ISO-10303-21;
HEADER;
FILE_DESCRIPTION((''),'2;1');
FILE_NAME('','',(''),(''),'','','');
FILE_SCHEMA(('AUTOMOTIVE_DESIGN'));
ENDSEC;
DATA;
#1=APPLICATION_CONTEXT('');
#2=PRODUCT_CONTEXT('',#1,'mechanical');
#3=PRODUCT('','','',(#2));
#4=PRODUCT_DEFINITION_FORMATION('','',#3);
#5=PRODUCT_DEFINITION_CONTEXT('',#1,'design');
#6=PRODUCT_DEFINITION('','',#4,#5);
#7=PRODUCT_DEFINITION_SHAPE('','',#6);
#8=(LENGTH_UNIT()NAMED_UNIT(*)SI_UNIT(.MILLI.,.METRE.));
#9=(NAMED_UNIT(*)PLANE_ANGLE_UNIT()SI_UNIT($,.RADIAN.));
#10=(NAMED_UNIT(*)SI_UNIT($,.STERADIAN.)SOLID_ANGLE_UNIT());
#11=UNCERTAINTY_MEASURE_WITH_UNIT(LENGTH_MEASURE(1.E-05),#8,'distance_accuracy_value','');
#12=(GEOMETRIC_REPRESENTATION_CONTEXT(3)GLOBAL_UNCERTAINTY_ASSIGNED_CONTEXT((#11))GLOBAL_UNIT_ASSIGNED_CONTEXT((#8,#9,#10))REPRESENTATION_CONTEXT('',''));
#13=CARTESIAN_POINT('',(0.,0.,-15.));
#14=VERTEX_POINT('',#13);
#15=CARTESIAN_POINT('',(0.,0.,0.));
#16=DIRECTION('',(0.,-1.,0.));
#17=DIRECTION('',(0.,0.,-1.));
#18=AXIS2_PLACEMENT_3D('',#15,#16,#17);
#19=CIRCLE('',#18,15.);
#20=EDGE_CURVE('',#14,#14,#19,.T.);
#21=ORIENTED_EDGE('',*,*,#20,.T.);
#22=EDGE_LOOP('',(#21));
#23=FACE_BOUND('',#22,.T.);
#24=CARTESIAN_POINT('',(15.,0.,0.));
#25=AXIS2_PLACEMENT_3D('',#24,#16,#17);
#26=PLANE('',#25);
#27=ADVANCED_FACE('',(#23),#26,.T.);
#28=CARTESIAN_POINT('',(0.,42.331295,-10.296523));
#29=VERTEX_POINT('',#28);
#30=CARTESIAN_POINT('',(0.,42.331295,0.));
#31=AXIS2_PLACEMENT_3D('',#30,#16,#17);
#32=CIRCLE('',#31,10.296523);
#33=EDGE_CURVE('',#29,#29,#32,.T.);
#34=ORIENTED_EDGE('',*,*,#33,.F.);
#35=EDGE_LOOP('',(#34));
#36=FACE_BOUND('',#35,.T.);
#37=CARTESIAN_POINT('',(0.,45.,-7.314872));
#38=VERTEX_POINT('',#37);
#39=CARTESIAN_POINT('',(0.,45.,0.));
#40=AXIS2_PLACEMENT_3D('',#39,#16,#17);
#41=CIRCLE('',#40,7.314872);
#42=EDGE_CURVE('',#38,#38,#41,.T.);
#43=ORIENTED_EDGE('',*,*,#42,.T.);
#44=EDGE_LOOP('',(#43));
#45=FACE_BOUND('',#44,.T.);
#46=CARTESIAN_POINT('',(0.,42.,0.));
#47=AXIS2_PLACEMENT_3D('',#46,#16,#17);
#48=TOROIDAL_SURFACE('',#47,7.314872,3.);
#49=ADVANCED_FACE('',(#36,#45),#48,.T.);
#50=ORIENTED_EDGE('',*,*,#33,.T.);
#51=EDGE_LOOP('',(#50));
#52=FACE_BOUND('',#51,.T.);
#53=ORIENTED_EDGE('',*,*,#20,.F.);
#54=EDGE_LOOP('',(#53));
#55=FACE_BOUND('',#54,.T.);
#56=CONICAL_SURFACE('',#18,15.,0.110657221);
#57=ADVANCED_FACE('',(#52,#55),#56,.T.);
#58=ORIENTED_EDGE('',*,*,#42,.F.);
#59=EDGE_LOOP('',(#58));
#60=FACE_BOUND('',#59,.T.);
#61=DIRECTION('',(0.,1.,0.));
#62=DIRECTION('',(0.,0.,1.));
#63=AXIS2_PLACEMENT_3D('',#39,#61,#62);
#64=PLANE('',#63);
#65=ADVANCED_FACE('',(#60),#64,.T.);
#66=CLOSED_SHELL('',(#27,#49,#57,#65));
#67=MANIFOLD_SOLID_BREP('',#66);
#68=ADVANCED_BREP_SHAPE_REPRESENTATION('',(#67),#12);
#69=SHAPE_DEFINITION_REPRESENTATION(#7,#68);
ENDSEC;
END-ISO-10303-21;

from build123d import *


with BuildPart() as part:
    # Эскиз1 → Повернуть1 (revolve)
    with BuildSketch(Plane.XY):
        with BuildLine():
            Line((0, 0), (0, 45))
            Line((0, 45), (7.314871621, 45))
            ThreePointArc((7.314871621, 45), (9.315636008, 44.235384054), (10.296522825, 42.331294578))
            Line((10.296522825, 42.331294578), (15, 0))
            Line((15, 0), (0, 0))
        make_face()
    revolve(axis=Axis((0, 0, 0), (0, 1, 0)))


solid = part.part
